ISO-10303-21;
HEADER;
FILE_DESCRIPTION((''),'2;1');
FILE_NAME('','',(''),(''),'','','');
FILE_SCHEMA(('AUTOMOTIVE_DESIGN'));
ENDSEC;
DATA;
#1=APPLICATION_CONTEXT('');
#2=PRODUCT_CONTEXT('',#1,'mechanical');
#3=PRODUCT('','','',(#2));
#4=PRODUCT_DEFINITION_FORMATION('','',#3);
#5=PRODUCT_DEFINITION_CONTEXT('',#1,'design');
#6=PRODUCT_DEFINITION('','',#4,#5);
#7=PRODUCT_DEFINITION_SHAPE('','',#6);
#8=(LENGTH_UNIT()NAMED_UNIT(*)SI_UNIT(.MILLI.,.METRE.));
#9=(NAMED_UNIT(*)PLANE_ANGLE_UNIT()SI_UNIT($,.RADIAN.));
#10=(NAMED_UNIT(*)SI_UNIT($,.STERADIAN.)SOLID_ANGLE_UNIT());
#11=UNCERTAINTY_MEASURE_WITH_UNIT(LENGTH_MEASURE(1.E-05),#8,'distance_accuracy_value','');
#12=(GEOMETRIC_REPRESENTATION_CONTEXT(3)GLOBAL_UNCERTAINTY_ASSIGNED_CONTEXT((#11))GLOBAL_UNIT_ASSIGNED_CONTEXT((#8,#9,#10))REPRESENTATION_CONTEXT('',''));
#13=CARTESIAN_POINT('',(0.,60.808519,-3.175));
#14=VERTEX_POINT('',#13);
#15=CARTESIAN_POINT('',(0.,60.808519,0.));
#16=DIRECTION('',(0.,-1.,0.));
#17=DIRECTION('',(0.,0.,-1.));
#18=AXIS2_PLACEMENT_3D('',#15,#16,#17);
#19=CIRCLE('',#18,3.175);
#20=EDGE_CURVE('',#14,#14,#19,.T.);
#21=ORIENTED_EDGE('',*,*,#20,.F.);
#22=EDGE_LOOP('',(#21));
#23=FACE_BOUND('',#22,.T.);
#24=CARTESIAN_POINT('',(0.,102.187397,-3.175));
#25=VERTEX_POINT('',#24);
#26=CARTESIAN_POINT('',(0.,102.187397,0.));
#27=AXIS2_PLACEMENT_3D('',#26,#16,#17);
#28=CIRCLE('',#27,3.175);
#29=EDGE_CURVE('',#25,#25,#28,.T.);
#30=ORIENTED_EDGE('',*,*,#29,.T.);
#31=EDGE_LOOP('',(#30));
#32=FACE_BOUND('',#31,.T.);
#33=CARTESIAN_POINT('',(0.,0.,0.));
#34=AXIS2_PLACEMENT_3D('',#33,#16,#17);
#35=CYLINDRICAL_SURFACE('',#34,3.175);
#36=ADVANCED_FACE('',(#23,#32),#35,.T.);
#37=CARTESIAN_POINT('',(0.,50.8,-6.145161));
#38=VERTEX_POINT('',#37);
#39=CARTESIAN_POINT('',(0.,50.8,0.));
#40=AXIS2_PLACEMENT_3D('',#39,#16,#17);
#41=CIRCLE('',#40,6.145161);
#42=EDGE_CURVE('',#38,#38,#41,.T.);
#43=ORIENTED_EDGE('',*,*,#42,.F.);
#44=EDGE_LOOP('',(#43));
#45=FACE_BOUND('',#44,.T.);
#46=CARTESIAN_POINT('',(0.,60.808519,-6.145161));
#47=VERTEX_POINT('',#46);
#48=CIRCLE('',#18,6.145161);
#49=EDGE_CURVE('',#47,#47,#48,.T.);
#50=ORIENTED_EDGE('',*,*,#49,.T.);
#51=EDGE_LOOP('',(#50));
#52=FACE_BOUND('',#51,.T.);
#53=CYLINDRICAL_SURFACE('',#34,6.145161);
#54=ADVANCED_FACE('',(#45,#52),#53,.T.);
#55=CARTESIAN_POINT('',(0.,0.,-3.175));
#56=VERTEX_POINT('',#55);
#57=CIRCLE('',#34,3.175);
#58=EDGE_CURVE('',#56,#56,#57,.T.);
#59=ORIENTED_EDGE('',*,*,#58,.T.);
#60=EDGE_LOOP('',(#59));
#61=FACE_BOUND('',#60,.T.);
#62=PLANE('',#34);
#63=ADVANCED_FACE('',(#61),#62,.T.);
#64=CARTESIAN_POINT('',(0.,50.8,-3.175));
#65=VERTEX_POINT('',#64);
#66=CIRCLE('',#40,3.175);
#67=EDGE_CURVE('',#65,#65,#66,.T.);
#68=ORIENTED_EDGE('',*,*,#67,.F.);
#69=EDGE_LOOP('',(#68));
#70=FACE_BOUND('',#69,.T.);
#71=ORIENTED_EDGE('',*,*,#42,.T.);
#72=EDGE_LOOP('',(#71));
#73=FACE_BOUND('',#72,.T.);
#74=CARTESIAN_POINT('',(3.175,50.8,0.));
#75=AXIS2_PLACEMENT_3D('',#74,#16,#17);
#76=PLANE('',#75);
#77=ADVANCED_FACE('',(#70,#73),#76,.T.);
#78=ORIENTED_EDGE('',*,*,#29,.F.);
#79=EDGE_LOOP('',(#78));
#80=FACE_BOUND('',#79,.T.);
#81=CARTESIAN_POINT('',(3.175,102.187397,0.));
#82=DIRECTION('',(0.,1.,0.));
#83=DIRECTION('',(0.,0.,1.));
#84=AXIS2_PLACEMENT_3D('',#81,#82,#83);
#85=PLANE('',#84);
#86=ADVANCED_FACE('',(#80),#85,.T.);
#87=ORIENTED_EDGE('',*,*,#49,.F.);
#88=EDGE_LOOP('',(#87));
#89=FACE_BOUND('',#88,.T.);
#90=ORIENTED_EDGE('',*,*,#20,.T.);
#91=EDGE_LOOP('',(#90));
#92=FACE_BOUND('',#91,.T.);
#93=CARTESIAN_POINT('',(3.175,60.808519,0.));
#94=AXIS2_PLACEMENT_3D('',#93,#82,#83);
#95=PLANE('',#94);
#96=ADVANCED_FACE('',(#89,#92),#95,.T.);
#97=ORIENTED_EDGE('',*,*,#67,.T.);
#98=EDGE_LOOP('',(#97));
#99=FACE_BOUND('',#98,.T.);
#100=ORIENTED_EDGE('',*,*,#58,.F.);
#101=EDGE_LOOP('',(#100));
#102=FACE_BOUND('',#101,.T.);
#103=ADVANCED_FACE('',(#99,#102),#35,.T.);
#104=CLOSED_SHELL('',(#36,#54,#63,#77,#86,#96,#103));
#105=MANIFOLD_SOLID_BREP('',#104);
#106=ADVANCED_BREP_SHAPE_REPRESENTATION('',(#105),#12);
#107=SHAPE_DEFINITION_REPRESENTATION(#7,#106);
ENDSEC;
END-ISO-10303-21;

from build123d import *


with BuildPart() as part:
    # Sketch1 → Revolve1 (revolve)
    with BuildSketch(Plane.XY, mode=Mode.PRIVATE) as revolve1_sk:
        Polygon((0, 0), (0, 102.187397156), (3.175, 102.187397156), (3.175, 60.808518507), (6.14516129, 60.808518507), (6.14516129, 50.8), (3.175, 50.8), (3.175, 0), align=None)
    revolve(revolve1_sk.sketch.rotate(Axis((0, 0, 0), (0, 1, 0)), 90), axis=Axis((0, 0, 0), (0, 1, 0)))


solid = part.part
